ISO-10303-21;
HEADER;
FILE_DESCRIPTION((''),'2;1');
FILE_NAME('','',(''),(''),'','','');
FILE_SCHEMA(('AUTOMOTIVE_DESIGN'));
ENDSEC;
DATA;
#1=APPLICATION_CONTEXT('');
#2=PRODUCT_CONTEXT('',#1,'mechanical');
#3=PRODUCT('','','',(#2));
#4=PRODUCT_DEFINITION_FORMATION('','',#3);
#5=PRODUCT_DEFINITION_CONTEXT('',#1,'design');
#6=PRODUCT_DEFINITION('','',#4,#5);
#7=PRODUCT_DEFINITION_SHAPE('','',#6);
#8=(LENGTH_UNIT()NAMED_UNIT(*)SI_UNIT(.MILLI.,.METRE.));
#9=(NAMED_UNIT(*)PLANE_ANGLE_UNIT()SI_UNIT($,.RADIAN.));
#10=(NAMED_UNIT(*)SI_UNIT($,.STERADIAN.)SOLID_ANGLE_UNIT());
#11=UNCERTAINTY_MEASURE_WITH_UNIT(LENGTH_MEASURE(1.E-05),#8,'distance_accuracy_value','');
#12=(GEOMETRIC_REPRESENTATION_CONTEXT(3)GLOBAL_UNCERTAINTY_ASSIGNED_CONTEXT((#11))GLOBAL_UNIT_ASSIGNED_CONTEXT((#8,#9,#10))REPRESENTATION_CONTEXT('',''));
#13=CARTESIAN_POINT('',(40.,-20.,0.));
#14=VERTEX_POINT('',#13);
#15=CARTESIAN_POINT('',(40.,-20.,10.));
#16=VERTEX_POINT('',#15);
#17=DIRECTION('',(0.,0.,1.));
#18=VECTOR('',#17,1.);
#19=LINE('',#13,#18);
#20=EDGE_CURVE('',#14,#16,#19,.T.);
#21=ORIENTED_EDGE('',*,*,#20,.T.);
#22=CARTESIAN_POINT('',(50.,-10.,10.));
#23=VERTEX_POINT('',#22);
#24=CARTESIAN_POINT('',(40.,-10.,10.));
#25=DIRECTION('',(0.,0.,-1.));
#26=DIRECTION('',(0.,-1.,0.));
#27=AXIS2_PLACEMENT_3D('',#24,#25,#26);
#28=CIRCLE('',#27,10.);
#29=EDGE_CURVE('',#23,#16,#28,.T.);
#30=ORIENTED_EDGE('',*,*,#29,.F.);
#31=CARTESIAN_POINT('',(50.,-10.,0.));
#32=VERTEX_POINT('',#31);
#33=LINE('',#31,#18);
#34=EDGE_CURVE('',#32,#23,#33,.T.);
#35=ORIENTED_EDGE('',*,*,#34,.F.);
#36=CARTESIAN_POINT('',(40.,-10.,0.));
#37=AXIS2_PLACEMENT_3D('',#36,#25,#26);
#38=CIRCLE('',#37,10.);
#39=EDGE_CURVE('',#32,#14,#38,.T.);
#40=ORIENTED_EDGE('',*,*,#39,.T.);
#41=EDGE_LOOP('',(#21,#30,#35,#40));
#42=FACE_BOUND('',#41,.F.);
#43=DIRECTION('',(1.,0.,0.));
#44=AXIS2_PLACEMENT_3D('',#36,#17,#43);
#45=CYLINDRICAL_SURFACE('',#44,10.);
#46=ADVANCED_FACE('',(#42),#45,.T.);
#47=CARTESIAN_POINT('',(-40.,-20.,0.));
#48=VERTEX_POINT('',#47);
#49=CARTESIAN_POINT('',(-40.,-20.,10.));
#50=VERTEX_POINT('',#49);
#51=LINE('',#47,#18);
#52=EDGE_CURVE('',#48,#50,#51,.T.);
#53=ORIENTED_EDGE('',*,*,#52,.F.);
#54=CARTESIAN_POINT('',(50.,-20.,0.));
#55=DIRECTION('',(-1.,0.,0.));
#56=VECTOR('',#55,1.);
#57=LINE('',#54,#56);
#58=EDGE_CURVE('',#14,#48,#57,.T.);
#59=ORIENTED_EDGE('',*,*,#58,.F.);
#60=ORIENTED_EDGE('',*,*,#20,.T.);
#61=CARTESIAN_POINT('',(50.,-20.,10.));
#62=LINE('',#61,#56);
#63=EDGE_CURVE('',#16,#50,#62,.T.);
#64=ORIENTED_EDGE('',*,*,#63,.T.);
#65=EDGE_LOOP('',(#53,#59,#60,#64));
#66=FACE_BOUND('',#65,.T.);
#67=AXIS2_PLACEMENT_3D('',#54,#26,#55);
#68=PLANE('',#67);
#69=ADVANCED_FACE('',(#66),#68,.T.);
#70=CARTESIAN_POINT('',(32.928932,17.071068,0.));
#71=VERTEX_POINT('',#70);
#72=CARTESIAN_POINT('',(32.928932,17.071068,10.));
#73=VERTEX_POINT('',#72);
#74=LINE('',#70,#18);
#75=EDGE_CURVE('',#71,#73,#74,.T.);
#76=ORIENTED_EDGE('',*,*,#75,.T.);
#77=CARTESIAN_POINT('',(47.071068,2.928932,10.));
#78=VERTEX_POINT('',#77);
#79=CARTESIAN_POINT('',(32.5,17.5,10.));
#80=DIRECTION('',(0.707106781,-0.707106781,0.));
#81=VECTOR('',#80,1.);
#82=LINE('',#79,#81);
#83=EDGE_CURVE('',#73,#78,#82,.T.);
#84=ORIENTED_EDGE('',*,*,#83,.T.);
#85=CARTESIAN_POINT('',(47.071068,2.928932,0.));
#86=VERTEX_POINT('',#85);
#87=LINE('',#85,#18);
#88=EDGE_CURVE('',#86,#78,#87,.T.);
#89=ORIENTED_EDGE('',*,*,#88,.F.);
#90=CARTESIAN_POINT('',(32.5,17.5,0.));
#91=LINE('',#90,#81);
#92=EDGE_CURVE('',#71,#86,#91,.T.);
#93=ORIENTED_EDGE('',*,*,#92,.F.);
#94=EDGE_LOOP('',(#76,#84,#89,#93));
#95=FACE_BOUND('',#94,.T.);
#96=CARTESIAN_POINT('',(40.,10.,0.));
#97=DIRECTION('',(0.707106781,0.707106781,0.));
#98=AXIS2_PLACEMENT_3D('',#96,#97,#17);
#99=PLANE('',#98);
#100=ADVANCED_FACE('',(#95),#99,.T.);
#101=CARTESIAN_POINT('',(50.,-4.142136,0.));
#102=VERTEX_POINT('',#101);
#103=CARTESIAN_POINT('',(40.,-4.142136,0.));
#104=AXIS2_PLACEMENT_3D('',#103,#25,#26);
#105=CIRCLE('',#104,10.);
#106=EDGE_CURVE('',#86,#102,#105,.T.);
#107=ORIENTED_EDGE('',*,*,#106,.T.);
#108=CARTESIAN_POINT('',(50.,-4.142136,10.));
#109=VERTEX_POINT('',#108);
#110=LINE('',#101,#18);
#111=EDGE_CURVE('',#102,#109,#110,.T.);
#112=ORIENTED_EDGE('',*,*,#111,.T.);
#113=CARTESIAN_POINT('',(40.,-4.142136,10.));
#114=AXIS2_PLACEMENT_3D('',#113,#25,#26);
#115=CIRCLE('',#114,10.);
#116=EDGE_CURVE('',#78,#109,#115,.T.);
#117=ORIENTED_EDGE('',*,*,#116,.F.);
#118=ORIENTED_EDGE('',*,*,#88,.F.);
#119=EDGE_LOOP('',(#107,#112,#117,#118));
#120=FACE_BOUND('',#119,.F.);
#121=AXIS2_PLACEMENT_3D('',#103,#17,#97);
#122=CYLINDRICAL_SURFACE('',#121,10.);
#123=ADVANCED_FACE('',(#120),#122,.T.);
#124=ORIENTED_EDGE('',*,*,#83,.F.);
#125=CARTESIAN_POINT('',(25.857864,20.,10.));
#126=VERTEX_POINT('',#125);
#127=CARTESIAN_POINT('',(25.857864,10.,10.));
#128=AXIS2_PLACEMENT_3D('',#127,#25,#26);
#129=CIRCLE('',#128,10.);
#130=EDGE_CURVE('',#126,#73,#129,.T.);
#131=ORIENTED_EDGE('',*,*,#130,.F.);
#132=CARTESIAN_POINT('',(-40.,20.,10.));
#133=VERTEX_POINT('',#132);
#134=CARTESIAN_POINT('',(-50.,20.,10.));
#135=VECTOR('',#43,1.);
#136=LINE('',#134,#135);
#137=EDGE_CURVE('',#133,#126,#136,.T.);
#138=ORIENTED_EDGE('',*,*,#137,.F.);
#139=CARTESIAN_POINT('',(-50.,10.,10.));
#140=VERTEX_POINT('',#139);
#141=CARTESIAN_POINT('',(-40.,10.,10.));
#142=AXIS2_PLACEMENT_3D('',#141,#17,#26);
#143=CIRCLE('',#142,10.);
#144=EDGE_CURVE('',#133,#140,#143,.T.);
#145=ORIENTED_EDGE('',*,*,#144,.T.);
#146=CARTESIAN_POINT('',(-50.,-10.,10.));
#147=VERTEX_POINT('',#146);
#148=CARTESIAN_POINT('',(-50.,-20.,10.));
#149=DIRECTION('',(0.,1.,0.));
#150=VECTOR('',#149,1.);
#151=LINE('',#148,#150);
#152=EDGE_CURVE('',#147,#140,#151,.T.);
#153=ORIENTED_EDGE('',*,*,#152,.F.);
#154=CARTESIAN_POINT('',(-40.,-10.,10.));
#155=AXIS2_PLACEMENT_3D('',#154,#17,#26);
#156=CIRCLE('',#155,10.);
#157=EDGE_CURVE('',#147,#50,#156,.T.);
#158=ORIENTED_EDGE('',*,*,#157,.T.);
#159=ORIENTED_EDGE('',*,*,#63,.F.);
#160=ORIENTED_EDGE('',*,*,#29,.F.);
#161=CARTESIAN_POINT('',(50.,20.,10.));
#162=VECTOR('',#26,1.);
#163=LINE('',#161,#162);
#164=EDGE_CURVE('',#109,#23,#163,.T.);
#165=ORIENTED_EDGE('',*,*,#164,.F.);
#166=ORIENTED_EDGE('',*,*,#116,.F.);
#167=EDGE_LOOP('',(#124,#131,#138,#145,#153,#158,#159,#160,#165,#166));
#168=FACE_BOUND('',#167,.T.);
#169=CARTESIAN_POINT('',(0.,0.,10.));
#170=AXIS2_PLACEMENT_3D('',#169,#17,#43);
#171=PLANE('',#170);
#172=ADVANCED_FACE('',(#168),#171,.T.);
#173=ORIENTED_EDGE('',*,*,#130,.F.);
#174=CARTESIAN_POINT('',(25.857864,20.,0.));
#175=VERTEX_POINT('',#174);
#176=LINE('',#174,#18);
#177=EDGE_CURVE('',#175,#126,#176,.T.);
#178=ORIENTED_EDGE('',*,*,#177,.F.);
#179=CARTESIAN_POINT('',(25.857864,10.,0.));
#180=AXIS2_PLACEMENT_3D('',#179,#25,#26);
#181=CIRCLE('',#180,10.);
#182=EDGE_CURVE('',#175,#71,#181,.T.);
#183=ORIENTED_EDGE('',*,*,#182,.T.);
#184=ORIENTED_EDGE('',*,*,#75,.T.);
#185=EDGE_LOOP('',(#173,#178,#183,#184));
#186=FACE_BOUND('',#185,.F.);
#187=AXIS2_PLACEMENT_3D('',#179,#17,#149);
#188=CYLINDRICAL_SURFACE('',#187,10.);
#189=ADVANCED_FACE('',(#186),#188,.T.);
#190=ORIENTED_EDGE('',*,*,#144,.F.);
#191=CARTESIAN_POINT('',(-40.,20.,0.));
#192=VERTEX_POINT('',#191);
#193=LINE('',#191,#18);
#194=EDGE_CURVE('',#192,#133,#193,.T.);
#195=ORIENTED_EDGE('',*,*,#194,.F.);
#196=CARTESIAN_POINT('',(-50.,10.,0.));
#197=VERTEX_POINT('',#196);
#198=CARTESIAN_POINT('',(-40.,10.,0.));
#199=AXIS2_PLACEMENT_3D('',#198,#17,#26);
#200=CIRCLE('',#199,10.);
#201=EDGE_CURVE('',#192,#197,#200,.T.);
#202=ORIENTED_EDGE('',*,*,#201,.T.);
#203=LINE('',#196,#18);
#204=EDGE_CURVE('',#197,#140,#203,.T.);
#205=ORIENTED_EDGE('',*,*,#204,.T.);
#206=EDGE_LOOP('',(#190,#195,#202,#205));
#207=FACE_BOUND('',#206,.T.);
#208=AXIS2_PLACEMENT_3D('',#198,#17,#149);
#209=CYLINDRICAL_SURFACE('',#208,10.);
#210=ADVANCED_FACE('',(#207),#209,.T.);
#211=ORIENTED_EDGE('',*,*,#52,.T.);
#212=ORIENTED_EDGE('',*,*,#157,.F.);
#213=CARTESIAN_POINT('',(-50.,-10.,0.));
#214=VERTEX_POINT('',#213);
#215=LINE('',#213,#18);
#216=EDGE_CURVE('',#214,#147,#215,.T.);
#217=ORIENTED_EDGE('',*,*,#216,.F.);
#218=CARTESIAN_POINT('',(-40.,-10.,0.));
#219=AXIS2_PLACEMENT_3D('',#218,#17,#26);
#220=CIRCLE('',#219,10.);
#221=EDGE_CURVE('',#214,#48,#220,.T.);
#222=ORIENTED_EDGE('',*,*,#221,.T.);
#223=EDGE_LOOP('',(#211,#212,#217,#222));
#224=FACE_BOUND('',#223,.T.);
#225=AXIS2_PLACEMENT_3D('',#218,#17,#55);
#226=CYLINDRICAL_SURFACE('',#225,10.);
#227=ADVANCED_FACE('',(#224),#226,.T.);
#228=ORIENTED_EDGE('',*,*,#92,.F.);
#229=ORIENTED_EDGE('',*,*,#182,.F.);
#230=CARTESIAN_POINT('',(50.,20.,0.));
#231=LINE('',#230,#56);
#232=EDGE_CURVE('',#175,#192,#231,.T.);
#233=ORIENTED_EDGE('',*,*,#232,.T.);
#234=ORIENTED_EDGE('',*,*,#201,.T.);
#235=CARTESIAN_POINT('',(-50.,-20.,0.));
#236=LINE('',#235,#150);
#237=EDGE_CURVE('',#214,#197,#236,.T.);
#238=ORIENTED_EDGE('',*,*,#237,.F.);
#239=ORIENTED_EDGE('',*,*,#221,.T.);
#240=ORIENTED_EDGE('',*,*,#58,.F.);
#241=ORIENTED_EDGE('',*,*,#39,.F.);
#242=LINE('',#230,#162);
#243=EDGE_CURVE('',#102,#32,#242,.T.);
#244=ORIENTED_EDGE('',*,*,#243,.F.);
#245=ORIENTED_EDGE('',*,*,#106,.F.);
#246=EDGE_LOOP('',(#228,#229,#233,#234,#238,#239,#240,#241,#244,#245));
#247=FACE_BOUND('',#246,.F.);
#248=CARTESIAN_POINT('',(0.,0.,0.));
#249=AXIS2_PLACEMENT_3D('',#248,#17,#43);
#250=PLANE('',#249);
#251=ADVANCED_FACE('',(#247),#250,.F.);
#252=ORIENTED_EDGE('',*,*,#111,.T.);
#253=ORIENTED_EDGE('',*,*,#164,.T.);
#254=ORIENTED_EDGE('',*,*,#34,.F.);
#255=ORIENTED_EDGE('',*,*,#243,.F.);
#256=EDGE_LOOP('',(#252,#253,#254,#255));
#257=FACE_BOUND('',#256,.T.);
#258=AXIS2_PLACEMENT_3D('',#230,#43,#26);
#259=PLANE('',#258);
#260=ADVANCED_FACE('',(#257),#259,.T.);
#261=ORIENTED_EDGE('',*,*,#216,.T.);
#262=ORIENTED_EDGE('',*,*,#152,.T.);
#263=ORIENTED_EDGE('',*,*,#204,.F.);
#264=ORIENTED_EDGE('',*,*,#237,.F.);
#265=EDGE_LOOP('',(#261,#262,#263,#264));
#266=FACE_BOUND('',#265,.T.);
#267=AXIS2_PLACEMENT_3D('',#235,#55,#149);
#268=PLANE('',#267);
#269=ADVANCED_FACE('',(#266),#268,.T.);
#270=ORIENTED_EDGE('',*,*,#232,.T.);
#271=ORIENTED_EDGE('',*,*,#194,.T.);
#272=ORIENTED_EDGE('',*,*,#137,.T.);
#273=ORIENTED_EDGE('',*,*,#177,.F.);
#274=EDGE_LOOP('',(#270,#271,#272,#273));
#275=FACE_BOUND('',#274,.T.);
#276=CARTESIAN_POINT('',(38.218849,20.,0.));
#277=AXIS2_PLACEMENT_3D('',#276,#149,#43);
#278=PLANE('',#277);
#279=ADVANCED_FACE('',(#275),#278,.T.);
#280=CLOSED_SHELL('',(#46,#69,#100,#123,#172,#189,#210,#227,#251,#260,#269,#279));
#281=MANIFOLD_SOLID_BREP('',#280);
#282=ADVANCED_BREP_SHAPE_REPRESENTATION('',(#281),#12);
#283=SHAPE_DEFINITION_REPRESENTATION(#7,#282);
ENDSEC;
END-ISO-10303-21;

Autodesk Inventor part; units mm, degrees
ref_plane "YZ Plane" through (0, 0, 0) normal (1, 0, 0) x (0, 1, 0)
ref_plane "XZ Plane" through (0, 0, 0) normal (0, 1, 0) x (-1, 0, 0)
ref_plane "XY Plane" through (0, 0, 0) normal (0, 0, 1) x (1, 0, 0)
sketch "Sketch1" plane through (0, 0, 0) normal (0, 0, 1) x (1, 0, 0)
  circle A0 centre (40, 19.5) radius 1.85 projected
  circle A1 centre (-57.5, -20.4606) radius 1.85 projected
  circle A2 centre (-57.5, 19.5) radius 1.85 projected
  circle A3 centre (57.5, -20.4606) radius 1.85 projected
  line L0 (63, 25) -> (-63, 25) projected
  line L1 (-63, 25) -> (-63, -25) projected
  line L2 (-63, -25) -> (63, -25) projected
  line L3 (63, -25) -> (63, 25) projected
  line L4 (50, -20) -> (-50, -20)
  line L5 (-50, -20) -> (-50, 20)
  line L6 (-50, 20) -> (50, 20)
  line L7 (50, 20) -> (50, -20)
  line L8 (50, -20) -> (-50, 20) construction
  line L9 (-50, -20) -> (50, 20) construction
  point P0 (0, 0)
  dimension "d0" = 40
  dimension "d1" = 100
extrude "Extrusion1" add sketch "Sketch1" along normal blind 10 contours A0 L6 | A0 L6 L7 L4 L5 picked at (39.6393, 19.3331)
chamfer "Chamfer1" distance 20 angle 45 1 edges at (50, 20, 5)
fillet "Fillet1" radius 10 5 edges at (-50, 20, 5) (30, 20, 5) (50, 0, 5) (50, -20, 5) (-50, -20, 5)
properties part number "Frame_Foot_Flex" material "Rubber, Silicone"
